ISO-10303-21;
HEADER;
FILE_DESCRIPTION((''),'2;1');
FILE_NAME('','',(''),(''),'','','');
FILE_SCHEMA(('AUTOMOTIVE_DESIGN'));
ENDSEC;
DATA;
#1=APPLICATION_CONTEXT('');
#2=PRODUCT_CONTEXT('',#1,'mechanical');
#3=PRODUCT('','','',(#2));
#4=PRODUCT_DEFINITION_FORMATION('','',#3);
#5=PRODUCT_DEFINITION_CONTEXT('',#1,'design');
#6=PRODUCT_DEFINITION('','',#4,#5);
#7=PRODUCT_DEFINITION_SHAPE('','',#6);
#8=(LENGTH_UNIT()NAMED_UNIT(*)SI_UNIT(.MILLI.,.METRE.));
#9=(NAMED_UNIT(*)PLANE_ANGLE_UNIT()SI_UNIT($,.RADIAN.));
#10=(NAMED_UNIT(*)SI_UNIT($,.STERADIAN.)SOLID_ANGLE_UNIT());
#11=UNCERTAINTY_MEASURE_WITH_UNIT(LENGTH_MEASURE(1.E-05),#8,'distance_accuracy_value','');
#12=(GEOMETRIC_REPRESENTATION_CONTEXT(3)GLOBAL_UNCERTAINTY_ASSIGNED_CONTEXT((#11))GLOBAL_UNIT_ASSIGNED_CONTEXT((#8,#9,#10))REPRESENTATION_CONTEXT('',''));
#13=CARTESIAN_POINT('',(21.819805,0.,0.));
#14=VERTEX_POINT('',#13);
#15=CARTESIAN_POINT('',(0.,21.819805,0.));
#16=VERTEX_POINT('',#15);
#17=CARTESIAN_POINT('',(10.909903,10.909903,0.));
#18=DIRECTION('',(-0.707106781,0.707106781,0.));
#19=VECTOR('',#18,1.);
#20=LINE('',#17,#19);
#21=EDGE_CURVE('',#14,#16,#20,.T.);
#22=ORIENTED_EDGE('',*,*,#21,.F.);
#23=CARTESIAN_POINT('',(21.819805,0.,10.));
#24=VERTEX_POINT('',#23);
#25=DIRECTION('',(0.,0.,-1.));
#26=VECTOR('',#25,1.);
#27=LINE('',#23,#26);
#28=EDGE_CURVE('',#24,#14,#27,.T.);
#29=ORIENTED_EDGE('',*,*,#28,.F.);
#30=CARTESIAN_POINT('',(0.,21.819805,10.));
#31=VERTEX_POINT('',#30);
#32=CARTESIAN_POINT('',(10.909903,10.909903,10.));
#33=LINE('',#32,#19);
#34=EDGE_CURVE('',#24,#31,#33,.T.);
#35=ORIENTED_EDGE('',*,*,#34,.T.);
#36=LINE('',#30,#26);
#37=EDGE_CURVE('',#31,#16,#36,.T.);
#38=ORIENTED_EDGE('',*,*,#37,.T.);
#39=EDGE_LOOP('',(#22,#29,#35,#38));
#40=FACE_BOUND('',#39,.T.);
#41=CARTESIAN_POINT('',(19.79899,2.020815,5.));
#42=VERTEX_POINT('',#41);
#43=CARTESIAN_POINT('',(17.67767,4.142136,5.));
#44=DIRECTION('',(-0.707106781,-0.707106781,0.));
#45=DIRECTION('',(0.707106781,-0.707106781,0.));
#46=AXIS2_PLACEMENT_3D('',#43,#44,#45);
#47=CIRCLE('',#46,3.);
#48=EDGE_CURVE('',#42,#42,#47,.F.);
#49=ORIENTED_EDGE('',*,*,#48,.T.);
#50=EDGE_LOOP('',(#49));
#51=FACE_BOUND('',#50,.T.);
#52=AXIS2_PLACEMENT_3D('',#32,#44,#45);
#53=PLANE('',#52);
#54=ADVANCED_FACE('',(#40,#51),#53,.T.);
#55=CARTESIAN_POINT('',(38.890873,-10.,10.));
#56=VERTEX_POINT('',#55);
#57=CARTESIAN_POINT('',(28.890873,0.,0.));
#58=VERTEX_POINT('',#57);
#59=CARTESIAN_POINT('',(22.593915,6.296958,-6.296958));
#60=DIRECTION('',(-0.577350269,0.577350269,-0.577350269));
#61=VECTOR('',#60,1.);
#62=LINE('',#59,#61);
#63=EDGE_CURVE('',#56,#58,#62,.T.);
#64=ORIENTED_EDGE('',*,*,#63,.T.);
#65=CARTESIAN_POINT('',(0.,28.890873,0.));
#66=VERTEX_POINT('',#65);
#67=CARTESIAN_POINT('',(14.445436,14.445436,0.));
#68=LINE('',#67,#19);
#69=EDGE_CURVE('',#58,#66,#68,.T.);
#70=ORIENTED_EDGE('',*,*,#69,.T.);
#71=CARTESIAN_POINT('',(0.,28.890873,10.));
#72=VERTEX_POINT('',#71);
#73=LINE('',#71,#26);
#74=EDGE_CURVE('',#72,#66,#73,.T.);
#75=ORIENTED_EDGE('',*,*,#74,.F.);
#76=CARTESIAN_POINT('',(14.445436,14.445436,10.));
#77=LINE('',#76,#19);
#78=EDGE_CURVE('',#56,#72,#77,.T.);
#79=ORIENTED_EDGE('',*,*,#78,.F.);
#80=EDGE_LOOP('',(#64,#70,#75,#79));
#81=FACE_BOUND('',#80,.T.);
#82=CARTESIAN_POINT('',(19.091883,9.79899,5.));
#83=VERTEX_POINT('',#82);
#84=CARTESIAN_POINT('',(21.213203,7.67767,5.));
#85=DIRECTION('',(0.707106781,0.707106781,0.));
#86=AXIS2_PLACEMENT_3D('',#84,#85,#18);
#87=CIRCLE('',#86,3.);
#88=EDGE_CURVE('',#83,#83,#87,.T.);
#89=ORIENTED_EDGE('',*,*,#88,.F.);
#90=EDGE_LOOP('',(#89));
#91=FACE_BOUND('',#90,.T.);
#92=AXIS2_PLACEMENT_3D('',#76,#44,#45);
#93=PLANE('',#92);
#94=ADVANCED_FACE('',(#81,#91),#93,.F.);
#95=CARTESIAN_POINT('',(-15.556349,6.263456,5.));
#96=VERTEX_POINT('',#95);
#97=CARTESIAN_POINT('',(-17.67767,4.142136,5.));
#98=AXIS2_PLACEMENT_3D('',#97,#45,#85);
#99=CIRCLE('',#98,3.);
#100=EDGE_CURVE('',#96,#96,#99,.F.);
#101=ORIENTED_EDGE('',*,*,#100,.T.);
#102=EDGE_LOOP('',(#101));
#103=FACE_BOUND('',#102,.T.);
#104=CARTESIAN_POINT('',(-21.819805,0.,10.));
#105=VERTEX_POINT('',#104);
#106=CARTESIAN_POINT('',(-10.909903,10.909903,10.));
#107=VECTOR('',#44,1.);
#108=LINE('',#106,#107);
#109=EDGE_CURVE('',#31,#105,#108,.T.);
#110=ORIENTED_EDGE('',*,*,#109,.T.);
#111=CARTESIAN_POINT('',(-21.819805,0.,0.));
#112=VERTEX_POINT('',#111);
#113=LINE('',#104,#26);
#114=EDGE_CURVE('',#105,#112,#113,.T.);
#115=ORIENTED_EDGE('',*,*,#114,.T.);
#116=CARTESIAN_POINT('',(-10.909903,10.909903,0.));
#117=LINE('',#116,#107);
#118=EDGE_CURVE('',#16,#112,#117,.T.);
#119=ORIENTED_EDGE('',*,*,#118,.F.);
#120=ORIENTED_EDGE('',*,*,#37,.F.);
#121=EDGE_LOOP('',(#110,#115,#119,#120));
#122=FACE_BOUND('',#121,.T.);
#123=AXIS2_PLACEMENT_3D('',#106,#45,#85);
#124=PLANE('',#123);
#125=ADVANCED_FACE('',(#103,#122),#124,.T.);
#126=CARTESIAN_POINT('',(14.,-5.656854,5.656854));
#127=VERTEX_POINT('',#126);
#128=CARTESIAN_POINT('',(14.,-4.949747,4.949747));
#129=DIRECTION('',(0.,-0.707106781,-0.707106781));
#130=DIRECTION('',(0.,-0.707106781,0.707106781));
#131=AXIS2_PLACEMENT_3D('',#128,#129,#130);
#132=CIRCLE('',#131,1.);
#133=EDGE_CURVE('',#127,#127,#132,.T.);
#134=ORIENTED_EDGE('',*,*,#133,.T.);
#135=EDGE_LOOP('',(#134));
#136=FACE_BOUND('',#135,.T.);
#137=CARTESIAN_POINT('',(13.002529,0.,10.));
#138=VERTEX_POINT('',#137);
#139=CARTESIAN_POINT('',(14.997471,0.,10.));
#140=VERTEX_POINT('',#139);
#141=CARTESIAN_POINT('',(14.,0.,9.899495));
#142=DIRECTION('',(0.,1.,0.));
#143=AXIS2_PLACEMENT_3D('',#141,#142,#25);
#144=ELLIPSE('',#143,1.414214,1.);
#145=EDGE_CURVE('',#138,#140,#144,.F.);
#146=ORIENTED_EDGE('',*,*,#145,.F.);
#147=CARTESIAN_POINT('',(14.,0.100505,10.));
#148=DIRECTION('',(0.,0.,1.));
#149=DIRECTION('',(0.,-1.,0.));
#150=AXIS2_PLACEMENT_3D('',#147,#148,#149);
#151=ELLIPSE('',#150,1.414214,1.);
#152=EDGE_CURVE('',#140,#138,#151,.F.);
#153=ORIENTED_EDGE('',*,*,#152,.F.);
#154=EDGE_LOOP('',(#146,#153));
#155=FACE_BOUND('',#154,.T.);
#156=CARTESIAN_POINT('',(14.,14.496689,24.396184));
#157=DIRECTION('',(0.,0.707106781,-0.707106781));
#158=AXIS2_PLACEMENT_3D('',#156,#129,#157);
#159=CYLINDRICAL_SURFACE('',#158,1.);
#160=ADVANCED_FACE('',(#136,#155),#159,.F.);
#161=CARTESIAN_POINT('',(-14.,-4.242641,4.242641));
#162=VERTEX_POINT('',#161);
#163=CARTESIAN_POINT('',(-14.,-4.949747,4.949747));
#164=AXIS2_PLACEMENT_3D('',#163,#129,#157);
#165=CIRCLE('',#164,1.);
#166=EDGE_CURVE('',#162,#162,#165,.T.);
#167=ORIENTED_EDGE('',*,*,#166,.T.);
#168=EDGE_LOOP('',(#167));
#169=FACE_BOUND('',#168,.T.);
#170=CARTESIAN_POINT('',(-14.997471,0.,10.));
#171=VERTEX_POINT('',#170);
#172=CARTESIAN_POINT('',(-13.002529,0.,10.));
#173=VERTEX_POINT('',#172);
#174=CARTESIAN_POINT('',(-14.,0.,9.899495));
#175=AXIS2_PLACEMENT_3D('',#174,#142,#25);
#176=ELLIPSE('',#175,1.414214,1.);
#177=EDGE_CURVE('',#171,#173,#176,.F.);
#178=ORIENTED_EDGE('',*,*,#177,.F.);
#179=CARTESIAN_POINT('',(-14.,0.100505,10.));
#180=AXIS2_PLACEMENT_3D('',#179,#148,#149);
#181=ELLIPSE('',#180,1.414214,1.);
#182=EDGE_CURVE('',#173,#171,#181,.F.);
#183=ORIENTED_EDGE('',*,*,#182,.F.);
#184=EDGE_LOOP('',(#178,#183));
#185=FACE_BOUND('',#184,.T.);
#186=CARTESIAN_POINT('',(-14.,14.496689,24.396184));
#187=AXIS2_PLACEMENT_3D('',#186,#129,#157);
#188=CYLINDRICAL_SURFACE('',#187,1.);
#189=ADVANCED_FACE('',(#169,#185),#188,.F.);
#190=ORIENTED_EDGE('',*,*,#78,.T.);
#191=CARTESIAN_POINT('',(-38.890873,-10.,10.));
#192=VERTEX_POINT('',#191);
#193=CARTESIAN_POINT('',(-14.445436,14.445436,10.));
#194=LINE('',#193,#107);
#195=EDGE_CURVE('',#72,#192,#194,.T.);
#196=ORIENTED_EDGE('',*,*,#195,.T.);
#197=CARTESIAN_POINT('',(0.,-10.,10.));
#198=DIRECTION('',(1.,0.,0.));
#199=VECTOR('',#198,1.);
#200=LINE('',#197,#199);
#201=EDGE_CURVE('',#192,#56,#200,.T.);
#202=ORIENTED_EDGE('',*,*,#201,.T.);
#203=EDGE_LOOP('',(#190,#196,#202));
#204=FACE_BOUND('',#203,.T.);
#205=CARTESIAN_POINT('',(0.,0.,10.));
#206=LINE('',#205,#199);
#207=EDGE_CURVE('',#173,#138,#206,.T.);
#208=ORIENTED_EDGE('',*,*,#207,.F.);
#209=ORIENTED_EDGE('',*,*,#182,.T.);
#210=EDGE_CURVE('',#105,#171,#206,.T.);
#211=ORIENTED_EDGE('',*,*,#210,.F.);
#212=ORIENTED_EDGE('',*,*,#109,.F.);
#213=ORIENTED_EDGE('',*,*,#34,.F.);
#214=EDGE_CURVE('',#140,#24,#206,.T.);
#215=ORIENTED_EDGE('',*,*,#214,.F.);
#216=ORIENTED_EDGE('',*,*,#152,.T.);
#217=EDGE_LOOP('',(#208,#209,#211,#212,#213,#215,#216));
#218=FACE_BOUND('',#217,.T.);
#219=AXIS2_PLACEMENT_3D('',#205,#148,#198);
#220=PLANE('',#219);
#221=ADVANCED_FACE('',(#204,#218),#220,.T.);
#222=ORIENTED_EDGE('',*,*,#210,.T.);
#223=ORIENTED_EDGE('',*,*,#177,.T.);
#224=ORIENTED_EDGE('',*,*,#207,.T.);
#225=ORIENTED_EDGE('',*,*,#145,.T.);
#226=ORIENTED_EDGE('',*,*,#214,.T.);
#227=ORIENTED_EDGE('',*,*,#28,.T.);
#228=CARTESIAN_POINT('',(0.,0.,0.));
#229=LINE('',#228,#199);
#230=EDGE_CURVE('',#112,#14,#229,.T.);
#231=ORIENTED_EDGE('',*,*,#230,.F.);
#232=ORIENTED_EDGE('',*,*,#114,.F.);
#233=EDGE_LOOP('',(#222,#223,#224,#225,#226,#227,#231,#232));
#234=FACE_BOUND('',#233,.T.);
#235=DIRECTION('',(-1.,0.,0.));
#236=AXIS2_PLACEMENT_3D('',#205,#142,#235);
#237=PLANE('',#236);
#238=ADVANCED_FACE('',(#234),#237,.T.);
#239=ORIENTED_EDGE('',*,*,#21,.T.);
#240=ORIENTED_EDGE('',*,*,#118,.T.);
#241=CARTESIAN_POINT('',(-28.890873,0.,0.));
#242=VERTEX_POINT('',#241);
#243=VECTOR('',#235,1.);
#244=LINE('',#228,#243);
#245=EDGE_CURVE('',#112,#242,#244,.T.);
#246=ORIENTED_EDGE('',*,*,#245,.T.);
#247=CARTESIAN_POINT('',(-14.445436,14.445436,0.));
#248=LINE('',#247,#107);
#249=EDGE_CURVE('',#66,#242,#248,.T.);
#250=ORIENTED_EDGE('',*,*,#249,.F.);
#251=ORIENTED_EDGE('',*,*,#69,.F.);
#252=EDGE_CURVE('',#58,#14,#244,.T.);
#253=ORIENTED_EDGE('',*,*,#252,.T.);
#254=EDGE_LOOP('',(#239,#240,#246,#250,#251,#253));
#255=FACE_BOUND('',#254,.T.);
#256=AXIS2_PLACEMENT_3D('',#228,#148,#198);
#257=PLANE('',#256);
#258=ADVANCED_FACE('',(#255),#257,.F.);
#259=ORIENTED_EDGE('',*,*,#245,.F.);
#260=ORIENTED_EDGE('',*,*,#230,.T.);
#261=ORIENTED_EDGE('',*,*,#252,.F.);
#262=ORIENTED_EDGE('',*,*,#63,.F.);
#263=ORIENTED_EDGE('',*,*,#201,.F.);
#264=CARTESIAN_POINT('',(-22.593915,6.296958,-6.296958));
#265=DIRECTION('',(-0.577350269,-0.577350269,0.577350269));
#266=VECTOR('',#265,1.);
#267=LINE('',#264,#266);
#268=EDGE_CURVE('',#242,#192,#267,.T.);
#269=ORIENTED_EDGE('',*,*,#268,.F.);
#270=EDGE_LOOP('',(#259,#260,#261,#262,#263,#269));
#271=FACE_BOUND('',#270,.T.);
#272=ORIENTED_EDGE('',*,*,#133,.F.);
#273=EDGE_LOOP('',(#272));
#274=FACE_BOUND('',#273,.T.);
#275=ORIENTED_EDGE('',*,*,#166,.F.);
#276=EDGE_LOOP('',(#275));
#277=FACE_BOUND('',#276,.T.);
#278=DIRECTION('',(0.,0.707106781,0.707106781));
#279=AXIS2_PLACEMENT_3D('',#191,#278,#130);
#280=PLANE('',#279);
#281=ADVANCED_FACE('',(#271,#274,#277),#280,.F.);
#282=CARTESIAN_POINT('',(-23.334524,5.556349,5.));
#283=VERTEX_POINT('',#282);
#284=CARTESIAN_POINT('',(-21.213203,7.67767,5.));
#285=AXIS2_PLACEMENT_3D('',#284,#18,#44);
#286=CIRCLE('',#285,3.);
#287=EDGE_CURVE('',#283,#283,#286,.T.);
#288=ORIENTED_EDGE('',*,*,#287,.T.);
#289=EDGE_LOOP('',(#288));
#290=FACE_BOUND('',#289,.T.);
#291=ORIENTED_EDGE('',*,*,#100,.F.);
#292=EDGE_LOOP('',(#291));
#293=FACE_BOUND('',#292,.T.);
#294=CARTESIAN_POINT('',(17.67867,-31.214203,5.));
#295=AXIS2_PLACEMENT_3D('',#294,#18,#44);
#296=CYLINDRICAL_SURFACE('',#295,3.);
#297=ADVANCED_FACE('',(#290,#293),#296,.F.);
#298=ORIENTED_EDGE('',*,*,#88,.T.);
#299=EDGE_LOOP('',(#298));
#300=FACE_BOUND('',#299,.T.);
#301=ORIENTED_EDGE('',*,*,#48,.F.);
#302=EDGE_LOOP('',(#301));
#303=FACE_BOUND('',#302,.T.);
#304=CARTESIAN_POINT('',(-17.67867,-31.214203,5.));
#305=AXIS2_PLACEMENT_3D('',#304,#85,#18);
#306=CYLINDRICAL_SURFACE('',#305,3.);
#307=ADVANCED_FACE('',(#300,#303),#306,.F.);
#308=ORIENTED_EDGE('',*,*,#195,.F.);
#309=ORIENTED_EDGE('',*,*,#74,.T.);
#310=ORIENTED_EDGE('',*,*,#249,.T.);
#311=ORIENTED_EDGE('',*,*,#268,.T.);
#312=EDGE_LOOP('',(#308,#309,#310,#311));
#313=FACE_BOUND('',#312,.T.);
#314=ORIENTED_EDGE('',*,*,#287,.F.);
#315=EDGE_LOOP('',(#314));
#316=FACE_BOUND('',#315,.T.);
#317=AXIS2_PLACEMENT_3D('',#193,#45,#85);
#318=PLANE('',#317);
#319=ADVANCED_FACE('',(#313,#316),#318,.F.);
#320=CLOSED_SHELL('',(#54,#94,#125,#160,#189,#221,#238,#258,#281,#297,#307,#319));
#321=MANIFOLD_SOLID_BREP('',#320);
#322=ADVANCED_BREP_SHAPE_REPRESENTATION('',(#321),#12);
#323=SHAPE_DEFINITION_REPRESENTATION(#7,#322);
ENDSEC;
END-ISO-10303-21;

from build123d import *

# Parameters (mm, degrees)
BOSS_EXTRUDE4_DEPTH     = 10
CUT_EXTRUDE2_DEPTH      = 39.890872965
CUT_EXTRUDE2_DEPTH_BACK = 39.890872965
CUT_EXTRUDE3_REACH      = 57
SKETCH7_R               = 3
CUT_EXTRUDE4_REACH      = 57
SKETCH8_R               = 3
CUT_EXTRUDE5_REACH      = 29.5
SKETCH9_R               = 1


with BuildPart() as part:
    # Sketch4 → Boss-Extrude4 (new body)
    with BuildSketch(Plane.XY):
        Polygon((38.890872965, -10), (0, 28.890872965), (-38.890872965, -10), align=None)
        Polygon((0, 21.819805153), (21.819805153, 0), (14.748737342, 0), (-14.748737342, 0), (-21.819805153, 0), align=None, mode=Mode.SUBTRACT)
    extrude(amount=BOSS_EXTRUDE4_DEPTH)

    # Sketch6 → Cut-Extrude2 (cut, two sides)
    with BuildSketch(Plane(origin=(0, 0, 0), x_dir=(0, 0, -1), z_dir=(1, 0, 0))) as cut_extrude2_sk:
        Polygon((-10, -10), (0, 0), (0, -10), align=None)
    extrude(amount=CUT_EXTRUDE2_DEPTH, mode=Mode.SUBTRACT)
    extrude(cut_extrude2_sk.sketch, amount=-CUT_EXTRUDE2_DEPTH_BACK, mode=Mode.SUBTRACT)

    # Sketch7 → Cut-Extrude3 (cut, up to next)
    with BuildSketch(Plane(origin=(-14.445436483, 14.445436483, 0), x_dir=(0, 0, 1), z_dir=(-0.707106781, 0.707106781, 0)), mode=Mode.PRIVATE) as cut_extrude3_sk1:
        with Locations((5, -9.571067812)):
            Circle(SKETCH7_R)
    cut_extrude3_tool1 = extrude(cut_extrude3_sk1.sketch, amount=-CUT_EXTRUDE3_REACH, mode=Mode.PRIVATE) & part.part
    add(cut_extrude3_tool1.solids().sort_by_distance((-21.213203, 7.67767, 5))[0], mode=Mode.SUBTRACT)

    # Sketch8 → Cut-Extrude4 (cut, up to next)
    with BuildSketch(Plane(origin=(14.445436483, 14.445436483, 0), x_dir=(0, 0, -1), z_dir=(0.707106781, 0.707106781, 0)), mode=Mode.PRIVATE) as cut_extrude4_sk1:
        with Locations((-5, -9.571067812)):
            Circle(SKETCH8_R)
    cut_extrude4_tool1 = extrude(cut_extrude4_sk1.sketch, amount=-CUT_EXTRUDE4_REACH, mode=Mode.PRIVATE) & part.part
    add(cut_extrude4_tool1.solids().sort_by_distance((21.213203, 7.67767, 5))[0], mode=Mode.SUBTRACT)

    # Sketch9 → Cut-Extrude5 (cut, up to next)
    with BuildSketch(Plane(origin=(0, 0, 0), x_dir=(1, 0, 0), z_dir=(0, -0.707106781, -0.707106781)), mode=Mode.PRIVATE) as cut_extrude5_sk1:
        with Locations((-14, 7)):
            Circle(SKETCH9_R)
    cut_extrude5_tool1 = extrude(cut_extrude5_sk1.sketch, amount=-CUT_EXTRUDE5_REACH, mode=Mode.PRIVATE) & part.part
    add(cut_extrude5_tool1.solids().sort_by_distance((-14, -4.949747, 4.949747))[0], mode=Mode.SUBTRACT)
    # Sketch9 → Cut-Extrude5 (cut, up to next)
    with BuildSketch(Plane(origin=(0, 0, 0), x_dir=(1, 0, 0), z_dir=(0, -0.707106781, -0.707106781)), mode=Mode.PRIVATE) as cut_extrude5_sk2:
        with Locations((14, 7)):
            Circle(SKETCH9_R)
    cut_extrude5_tool2 = extrude(cut_extrude5_sk2.sketch, amount=-CUT_EXTRUDE5_REACH, mode=Mode.PRIVATE) & part.part
    add(cut_extrude5_tool2.solids().sort_by_distance((14, -4.949747, 4.949747))[0], mode=Mode.SUBTRACT)


solid = part.part
